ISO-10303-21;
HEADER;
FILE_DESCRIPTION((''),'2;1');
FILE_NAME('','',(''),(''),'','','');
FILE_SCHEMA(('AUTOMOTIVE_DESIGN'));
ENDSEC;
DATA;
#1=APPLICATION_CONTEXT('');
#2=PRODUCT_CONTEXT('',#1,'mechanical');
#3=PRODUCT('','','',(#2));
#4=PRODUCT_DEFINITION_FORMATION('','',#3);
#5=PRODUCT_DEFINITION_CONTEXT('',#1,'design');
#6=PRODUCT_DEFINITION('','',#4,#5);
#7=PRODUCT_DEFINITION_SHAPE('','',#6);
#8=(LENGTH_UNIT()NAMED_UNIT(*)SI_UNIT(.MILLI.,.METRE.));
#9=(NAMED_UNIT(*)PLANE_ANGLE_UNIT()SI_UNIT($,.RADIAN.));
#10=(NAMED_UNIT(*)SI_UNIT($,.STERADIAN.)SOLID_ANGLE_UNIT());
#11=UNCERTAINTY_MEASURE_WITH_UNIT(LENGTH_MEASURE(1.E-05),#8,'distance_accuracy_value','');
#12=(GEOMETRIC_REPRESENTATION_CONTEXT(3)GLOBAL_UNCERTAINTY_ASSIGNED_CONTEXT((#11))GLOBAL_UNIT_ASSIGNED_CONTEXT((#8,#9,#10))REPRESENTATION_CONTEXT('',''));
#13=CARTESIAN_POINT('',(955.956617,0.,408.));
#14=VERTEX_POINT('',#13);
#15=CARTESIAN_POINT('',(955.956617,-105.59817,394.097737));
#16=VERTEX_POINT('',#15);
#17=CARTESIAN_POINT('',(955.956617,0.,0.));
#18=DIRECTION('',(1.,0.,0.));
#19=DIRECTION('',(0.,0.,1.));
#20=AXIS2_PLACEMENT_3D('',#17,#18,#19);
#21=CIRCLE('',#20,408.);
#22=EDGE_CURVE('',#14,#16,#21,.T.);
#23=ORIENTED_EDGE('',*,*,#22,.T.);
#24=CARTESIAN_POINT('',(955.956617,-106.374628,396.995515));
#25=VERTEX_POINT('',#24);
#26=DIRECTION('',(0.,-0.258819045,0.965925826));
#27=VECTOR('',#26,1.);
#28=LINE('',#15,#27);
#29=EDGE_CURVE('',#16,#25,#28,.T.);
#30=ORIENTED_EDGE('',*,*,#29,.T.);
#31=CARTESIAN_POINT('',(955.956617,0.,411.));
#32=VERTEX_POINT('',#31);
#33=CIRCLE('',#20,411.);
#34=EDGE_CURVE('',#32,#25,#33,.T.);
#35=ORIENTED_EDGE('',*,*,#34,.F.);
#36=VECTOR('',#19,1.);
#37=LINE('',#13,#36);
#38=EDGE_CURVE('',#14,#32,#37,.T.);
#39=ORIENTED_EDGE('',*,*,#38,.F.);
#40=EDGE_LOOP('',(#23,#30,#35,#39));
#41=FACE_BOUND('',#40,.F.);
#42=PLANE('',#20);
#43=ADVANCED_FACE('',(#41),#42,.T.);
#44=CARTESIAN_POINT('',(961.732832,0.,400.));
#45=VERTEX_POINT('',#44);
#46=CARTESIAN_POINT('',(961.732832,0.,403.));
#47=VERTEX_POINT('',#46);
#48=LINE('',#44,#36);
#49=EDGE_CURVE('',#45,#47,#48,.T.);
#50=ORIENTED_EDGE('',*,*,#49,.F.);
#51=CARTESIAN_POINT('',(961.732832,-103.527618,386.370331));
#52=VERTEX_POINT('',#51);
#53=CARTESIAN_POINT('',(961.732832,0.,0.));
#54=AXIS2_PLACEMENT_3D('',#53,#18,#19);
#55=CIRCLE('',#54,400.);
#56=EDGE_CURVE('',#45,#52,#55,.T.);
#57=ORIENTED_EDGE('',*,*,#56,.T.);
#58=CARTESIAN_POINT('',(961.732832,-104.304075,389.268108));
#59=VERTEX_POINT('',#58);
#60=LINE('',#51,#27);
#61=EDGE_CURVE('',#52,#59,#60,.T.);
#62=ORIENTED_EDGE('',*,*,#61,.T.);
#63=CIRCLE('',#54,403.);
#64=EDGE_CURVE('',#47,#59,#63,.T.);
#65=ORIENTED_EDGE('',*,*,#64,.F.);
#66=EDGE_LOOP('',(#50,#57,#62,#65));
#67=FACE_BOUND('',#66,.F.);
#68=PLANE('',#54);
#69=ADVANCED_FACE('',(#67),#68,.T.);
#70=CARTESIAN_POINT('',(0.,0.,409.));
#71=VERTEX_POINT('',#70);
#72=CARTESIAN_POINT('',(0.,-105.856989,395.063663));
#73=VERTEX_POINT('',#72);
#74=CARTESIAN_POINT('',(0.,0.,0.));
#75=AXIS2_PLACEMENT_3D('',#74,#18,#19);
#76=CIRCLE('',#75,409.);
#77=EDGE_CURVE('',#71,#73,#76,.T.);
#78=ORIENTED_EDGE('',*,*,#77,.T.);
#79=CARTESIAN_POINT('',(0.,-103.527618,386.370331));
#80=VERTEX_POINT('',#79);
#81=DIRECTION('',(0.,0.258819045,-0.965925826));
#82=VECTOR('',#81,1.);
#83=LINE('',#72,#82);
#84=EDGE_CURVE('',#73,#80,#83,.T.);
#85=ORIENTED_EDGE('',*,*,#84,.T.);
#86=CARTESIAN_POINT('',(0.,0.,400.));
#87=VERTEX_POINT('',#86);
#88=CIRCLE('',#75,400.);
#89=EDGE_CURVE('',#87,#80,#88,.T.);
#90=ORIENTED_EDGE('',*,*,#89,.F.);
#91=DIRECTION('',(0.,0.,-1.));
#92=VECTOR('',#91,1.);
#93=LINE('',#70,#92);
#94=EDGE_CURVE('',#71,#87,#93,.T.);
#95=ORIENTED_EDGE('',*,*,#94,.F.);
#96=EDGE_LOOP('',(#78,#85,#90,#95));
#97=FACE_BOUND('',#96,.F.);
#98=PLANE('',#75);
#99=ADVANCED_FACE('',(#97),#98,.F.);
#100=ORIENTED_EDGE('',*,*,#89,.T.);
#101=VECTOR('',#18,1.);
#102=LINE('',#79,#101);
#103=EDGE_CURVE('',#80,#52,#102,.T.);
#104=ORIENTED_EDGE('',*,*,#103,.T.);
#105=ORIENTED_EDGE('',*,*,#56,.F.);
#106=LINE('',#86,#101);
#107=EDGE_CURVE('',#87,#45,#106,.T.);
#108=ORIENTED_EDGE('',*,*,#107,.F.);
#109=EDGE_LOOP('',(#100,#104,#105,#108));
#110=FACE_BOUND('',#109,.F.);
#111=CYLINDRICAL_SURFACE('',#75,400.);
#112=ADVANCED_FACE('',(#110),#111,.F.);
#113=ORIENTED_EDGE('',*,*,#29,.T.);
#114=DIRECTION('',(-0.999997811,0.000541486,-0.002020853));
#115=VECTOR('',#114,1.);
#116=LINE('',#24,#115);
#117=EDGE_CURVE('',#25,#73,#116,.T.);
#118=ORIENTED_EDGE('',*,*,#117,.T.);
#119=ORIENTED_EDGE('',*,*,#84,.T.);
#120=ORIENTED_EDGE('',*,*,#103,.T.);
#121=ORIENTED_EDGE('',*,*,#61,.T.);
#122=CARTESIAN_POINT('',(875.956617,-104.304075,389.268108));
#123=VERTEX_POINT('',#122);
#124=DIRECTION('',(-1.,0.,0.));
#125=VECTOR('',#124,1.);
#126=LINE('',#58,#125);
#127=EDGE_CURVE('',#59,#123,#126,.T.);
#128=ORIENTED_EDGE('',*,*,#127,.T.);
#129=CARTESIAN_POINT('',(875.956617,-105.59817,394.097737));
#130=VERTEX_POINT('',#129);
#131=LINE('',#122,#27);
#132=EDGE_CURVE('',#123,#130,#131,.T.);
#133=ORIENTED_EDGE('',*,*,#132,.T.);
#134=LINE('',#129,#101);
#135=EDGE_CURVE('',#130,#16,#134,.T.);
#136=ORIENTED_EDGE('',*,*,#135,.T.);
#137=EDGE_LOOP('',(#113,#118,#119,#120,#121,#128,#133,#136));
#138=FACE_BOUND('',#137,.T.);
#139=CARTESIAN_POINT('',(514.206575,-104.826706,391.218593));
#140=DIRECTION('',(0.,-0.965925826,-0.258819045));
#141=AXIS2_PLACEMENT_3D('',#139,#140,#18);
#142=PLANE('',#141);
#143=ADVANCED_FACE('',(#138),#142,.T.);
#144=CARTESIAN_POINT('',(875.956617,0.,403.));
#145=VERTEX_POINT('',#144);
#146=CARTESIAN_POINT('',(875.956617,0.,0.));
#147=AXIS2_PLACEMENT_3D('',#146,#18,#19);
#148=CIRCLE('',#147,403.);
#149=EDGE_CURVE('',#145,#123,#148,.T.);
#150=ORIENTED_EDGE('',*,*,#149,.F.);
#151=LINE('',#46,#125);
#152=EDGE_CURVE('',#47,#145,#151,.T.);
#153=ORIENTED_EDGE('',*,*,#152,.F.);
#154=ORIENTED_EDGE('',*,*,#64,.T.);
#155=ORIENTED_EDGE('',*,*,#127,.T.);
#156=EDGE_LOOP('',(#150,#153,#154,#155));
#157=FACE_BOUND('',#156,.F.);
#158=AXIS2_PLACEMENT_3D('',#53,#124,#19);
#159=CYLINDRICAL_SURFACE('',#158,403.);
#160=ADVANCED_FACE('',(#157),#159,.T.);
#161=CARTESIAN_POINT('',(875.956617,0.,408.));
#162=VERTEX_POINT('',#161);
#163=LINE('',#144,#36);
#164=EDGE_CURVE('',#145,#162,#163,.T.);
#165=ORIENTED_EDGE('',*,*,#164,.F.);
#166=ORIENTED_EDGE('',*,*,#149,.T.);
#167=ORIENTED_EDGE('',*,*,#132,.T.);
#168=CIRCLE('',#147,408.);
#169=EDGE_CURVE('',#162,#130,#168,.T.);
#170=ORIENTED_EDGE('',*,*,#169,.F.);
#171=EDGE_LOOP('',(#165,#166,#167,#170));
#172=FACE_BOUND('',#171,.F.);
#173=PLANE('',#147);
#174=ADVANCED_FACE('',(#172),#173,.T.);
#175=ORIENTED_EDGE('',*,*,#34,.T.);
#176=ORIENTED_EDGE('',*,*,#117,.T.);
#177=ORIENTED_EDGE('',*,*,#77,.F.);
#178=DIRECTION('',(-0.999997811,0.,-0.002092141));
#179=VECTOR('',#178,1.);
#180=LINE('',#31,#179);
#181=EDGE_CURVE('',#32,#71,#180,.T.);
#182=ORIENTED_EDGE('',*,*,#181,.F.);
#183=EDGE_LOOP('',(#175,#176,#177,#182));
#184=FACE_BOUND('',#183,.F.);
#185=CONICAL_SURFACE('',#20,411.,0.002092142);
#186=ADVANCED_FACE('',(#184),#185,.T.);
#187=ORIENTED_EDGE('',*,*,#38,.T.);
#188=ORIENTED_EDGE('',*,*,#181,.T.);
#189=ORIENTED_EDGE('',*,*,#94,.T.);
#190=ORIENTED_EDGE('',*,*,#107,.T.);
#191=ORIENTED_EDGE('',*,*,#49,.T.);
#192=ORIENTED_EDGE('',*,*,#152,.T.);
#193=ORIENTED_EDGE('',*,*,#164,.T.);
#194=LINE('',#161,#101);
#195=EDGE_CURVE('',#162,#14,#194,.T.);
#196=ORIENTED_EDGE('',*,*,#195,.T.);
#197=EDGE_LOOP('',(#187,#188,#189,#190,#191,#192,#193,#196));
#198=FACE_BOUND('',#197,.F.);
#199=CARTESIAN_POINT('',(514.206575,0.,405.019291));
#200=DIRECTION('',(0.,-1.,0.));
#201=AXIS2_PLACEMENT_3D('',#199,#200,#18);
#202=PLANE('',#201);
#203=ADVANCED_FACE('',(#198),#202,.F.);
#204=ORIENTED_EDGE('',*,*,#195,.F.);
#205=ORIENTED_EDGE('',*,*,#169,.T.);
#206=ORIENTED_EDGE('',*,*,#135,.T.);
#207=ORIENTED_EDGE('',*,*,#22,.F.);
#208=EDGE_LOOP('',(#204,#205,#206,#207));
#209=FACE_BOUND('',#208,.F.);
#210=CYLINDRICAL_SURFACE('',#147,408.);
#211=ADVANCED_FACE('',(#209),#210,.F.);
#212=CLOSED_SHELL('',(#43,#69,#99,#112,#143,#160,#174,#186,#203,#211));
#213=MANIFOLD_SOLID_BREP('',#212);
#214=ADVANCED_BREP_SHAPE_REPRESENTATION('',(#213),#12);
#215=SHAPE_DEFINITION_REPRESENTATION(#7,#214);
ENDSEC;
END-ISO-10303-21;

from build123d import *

# Parameters (mm, degrees)
F1_ANGLE = 15


with BuildPart() as f1:
    # F0 (on Front) → F1 (revolve)
    with BuildSketch(Plane.XZ):
        Polygon((955.956617, 411), (0, 409), (0, 400), (961.732832, 400), (961.732832, 403), (875.956617, 403), (875.956617, 408), (955.956617, 408), align=None)
    revolve(axis=Axis((-114.079464, 0, 0), (1, 0, 0)), revolution_arc=F1_ANGLE)


solid = f1.part
